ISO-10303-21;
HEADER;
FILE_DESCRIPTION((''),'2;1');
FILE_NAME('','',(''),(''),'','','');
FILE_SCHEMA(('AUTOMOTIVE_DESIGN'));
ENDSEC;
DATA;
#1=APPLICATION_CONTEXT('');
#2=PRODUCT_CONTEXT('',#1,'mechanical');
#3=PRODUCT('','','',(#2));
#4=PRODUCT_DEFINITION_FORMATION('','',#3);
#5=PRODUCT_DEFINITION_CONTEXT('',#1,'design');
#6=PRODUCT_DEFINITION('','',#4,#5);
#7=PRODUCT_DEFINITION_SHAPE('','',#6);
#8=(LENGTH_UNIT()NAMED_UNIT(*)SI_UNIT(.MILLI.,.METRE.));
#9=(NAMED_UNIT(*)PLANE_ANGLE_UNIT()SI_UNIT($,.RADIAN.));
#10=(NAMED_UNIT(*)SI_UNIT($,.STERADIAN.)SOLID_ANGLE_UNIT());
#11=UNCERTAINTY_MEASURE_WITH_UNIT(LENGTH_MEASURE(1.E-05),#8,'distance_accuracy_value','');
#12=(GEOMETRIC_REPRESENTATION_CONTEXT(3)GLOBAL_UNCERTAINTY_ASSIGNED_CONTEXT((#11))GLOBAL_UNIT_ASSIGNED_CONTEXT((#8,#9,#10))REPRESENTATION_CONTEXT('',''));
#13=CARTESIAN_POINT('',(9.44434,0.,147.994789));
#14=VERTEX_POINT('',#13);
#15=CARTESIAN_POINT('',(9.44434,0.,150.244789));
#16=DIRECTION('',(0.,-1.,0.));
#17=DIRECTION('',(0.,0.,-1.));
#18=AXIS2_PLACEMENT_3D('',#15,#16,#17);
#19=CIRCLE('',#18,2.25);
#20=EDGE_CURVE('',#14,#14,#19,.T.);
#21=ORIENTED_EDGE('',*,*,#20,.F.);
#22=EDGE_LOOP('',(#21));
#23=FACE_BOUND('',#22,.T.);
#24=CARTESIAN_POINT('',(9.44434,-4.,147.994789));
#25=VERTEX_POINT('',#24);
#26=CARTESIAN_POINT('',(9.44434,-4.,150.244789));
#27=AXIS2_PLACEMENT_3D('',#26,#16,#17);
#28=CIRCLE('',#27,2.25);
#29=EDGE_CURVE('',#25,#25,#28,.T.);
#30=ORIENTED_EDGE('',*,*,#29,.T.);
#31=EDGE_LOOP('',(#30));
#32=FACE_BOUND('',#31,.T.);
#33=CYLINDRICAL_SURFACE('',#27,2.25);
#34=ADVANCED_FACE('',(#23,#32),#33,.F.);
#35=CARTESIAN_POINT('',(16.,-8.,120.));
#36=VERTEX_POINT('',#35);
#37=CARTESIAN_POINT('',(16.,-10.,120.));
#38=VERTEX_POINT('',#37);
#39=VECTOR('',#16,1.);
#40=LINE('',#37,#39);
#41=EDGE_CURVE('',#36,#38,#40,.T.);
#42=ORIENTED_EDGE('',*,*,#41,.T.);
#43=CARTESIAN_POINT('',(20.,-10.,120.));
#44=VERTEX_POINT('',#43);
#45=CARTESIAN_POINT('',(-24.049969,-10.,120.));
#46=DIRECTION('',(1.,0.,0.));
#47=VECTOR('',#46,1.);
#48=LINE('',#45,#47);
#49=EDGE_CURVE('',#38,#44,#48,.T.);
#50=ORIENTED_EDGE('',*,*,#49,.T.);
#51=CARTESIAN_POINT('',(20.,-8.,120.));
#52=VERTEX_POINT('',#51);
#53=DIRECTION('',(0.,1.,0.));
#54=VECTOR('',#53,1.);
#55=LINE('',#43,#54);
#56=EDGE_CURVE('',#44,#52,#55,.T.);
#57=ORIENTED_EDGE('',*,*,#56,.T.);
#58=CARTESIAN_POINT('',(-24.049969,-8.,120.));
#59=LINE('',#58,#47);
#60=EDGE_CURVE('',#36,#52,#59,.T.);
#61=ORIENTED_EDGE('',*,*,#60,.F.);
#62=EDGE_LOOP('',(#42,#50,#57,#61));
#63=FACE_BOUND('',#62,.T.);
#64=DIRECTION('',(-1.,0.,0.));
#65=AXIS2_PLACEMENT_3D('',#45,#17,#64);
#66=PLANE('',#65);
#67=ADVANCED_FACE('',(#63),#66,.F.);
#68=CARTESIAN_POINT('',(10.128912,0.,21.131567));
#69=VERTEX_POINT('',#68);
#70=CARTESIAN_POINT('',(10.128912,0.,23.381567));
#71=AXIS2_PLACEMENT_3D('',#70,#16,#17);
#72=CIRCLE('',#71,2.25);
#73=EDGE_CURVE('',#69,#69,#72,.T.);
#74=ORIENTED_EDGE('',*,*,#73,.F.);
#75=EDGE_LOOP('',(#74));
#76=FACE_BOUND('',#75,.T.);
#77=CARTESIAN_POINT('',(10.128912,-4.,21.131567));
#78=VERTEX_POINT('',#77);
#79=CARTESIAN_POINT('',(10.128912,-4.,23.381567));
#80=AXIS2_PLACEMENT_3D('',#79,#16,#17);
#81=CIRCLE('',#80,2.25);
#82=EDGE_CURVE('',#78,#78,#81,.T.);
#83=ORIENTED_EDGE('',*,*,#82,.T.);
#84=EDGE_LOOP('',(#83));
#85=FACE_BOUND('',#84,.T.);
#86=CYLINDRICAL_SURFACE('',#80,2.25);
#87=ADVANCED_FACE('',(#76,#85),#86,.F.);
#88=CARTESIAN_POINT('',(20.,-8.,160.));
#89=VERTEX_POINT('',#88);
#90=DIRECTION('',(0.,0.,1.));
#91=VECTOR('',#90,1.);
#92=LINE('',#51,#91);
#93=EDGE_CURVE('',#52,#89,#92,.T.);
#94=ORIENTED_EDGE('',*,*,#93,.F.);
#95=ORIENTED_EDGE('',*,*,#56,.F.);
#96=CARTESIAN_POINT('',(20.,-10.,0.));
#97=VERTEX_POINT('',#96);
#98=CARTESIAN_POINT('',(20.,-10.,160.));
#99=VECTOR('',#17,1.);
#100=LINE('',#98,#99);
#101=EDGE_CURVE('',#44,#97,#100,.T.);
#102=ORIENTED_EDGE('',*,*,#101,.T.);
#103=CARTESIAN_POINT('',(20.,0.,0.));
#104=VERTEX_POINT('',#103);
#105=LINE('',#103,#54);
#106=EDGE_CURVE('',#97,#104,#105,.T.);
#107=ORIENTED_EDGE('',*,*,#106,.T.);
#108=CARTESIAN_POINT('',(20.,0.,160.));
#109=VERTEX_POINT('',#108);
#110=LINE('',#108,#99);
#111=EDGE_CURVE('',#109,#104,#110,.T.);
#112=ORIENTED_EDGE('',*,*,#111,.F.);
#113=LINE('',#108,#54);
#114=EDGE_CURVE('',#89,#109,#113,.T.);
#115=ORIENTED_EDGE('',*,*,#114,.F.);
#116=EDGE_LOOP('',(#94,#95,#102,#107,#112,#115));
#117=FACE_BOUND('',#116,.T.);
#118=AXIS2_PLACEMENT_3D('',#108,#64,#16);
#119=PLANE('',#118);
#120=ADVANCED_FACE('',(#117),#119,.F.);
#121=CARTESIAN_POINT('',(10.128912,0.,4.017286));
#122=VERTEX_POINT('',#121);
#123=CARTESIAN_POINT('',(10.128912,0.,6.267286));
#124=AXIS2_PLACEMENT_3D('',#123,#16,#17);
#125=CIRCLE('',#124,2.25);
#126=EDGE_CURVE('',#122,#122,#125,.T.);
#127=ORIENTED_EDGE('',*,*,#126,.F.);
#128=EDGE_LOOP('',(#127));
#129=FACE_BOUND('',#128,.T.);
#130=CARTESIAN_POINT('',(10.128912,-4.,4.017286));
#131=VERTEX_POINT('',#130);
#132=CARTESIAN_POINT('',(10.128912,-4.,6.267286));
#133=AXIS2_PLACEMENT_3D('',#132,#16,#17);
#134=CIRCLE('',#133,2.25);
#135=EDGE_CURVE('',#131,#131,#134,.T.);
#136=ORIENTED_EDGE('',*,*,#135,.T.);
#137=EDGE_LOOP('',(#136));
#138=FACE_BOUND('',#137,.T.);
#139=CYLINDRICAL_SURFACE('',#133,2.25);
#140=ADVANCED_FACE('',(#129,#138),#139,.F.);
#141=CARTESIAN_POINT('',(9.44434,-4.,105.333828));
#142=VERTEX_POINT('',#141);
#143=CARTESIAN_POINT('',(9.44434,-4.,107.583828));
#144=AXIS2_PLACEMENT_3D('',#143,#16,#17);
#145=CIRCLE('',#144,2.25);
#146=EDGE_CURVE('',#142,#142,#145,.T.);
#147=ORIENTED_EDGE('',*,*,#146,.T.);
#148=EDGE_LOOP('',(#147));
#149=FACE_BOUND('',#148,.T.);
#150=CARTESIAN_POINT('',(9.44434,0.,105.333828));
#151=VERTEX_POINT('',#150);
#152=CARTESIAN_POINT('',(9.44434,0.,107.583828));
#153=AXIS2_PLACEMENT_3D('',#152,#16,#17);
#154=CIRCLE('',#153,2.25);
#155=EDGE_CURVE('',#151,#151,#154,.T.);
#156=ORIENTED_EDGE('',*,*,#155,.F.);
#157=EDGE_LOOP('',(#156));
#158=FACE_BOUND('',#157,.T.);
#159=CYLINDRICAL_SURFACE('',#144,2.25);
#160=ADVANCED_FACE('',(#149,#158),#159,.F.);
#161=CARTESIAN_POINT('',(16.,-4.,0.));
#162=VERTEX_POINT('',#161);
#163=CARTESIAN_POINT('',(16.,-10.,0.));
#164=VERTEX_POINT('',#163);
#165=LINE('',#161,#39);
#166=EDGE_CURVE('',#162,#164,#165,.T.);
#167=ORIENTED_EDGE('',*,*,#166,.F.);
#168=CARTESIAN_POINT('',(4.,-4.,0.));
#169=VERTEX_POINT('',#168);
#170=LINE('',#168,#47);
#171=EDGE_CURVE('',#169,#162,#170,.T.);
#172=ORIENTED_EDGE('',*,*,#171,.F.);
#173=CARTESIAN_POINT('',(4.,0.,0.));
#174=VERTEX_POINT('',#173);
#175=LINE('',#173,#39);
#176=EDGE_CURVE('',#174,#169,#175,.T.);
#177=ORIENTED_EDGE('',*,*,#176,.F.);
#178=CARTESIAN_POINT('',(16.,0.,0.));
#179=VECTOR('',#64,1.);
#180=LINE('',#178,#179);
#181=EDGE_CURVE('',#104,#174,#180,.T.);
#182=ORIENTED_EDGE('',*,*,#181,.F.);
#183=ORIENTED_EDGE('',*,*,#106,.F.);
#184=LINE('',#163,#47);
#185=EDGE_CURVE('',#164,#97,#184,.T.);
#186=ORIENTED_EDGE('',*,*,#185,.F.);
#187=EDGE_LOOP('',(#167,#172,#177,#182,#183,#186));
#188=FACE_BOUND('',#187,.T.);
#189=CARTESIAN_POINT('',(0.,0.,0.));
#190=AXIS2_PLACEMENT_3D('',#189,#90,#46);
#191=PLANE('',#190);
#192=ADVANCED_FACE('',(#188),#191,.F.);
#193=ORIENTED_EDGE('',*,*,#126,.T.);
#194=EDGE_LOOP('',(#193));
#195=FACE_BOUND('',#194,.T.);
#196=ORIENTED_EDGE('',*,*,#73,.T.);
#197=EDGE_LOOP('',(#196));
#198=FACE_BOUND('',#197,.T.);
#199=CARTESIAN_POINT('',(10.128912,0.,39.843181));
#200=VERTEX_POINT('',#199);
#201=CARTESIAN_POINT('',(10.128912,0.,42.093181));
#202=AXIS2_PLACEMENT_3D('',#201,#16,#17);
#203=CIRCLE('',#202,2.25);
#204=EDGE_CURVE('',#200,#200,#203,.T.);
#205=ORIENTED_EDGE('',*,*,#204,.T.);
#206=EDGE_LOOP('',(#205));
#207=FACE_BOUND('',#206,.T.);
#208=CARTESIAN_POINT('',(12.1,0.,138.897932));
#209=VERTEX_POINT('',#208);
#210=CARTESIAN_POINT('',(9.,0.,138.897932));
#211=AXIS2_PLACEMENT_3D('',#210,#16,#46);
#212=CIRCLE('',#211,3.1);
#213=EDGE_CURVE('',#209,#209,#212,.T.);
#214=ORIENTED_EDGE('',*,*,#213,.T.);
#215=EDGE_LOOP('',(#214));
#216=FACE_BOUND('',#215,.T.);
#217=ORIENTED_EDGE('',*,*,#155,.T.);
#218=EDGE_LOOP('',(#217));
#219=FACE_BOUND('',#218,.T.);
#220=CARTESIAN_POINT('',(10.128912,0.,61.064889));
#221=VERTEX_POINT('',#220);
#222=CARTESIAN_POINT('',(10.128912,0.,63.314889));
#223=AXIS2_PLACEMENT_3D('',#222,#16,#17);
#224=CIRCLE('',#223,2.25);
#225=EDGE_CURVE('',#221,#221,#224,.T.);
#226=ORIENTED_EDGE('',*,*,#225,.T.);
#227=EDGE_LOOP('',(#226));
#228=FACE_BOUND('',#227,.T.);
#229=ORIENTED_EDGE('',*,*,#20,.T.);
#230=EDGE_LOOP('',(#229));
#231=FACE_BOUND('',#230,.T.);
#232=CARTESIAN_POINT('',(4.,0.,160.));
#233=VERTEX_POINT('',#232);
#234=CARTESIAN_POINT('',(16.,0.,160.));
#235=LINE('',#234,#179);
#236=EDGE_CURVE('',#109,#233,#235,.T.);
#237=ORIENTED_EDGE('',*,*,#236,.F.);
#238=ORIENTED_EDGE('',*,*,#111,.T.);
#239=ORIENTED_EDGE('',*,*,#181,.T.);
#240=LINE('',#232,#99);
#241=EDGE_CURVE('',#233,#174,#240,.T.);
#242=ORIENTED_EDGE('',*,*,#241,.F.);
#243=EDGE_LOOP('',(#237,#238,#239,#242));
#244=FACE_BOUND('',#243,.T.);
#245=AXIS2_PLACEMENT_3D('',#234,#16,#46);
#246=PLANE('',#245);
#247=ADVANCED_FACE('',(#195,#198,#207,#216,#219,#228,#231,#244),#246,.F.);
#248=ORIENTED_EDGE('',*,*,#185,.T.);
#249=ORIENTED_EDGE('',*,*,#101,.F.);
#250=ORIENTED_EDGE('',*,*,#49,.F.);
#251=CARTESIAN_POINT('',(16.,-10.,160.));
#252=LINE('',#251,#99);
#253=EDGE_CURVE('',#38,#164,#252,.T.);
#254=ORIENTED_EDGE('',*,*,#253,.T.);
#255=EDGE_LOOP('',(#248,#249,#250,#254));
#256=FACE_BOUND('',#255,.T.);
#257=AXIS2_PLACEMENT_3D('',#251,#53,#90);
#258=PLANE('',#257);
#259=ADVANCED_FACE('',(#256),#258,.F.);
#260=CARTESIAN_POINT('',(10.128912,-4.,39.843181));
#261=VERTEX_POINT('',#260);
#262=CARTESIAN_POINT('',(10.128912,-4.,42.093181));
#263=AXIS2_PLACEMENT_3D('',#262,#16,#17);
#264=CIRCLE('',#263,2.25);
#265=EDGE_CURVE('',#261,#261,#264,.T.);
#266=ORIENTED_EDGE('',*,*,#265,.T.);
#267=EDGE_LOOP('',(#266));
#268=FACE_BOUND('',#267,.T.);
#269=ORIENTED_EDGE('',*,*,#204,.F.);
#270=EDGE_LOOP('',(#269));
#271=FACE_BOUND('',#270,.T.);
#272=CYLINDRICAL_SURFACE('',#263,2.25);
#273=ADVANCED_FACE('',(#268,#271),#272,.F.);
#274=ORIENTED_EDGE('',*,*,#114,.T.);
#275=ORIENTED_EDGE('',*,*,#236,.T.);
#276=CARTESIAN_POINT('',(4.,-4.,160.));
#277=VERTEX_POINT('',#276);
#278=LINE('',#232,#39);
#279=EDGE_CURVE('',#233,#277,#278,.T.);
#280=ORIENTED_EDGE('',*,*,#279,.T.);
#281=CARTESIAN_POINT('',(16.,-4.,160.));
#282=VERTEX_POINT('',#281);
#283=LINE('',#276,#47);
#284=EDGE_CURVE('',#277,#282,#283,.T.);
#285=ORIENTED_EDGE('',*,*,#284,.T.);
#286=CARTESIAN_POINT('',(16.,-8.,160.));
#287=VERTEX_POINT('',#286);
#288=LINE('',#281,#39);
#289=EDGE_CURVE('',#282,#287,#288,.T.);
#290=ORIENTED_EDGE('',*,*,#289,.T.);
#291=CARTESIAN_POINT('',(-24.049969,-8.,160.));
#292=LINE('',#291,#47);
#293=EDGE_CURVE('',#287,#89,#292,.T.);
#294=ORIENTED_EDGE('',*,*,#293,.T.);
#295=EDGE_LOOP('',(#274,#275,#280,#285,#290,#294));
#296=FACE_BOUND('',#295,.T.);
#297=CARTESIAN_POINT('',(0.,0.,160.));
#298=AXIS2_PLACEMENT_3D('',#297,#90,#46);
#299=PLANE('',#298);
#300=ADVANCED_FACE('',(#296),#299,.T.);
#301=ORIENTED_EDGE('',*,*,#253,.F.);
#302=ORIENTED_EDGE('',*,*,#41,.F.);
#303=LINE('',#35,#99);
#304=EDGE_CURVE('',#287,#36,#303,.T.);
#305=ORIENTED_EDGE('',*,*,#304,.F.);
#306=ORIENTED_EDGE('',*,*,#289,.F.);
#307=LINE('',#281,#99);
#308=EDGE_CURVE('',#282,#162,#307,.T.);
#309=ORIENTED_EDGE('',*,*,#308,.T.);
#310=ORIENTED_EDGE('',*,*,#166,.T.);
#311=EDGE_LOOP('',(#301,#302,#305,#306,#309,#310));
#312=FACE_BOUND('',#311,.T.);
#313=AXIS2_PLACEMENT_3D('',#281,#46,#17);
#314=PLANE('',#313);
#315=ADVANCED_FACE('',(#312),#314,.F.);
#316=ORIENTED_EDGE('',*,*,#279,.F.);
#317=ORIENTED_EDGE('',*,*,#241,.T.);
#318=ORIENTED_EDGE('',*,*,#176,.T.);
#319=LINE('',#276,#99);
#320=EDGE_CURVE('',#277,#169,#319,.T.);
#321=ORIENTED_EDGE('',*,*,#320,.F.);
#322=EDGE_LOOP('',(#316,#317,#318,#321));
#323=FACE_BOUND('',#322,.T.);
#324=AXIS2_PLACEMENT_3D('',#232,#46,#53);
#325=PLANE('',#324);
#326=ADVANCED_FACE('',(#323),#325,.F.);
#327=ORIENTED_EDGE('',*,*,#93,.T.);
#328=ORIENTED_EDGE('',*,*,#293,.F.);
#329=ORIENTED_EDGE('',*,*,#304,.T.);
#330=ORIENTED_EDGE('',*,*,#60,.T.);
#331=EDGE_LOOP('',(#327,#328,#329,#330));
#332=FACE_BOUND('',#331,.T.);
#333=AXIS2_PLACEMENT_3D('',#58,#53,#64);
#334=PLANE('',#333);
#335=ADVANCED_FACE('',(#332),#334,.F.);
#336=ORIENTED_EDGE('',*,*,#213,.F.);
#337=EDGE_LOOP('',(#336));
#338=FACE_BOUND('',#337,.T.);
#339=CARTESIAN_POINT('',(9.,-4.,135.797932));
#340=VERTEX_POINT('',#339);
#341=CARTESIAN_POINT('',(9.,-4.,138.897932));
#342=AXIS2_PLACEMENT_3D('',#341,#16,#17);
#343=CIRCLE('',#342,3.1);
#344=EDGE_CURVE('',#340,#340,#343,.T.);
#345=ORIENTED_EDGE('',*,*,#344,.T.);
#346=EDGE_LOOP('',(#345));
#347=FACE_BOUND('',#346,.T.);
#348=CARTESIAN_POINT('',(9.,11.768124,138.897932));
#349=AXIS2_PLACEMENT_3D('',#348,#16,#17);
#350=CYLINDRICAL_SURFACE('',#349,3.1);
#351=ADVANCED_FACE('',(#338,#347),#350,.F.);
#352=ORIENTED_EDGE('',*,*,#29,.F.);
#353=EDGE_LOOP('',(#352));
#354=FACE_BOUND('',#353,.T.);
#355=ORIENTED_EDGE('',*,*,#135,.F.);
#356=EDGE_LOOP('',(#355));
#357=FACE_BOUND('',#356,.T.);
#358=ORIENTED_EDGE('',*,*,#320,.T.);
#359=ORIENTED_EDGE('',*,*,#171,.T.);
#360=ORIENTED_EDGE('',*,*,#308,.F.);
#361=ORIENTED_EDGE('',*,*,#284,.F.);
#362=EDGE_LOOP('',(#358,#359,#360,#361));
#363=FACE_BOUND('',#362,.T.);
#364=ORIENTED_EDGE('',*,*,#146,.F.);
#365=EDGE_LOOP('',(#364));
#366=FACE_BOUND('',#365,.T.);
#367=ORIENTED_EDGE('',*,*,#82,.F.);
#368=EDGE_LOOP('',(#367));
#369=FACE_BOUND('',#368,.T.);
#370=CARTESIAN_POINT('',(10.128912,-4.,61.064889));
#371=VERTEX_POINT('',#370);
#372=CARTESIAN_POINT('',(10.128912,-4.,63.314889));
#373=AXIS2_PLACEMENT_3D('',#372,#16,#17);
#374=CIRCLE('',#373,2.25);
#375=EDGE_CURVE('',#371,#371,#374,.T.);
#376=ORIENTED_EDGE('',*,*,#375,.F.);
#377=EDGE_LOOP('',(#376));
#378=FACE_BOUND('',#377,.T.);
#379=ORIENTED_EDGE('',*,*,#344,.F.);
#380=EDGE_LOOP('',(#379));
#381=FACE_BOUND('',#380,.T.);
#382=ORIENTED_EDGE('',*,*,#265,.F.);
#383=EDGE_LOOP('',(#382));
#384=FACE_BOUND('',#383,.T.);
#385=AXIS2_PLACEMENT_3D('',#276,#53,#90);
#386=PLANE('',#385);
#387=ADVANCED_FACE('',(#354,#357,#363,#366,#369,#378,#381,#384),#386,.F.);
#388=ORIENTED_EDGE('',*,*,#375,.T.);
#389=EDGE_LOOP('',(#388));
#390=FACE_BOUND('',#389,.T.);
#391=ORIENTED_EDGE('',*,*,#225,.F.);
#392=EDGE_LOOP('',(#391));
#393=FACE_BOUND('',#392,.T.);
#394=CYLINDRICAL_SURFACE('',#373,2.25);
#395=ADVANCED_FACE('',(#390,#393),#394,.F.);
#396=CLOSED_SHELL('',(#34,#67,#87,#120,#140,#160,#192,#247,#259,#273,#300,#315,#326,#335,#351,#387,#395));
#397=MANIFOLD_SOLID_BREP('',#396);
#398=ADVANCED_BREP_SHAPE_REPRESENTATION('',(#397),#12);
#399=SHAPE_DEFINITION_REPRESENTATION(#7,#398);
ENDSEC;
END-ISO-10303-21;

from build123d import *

# Parameters (mm, degrees)
BOSS_EXTRUDE1_DEPTH  = 160
SKETCH2_W            = 40
SKETCH2_H            = 2
CUT_EXTRUDE1_DEPTH   = 4
M4_CLEARANCE_HOLE1_D = 4.5
CUT_EXTRUDE2_REACH   = 163.357
SKETCH5_R            = 3.1


with BuildPart() as part:
    # Sketch1 → Boss-Extrude1 (new body)
    with BuildSketch(Plane.XY):
        Polygon((4, -4), (16, -4), (16, -10), (20, -10), (20, 0), (16, 0), (4, 0), align=None)
    extrude(amount=BOSS_EXTRUDE1_DEPTH)

    # Sketch2 → Cut-Extrude1 (cut)
    with BuildSketch(Plane(origin=(20, 0, 0), x_dir=(0, 0, -1), z_dir=(1, 0, 0))):
        with Locations((-140, -9)):
            Rectangle(SKETCH2_W, SKETCH2_H)
    extrude(amount=-CUT_EXTRUDE1_DEPTH, mode=Mode.SUBTRACT)

    # M4 Clearance Hole1 (through all)
    with Locations(Plane(origin=(0, -4, 0), x_dir=(-1, 0, 0), z_dir=(0, -1, 0))):
        with Locations((-10.128911503, -6.267286375), (-10.128911503, -23.38156703), (-10.128911503, -42.093180546), (-10.128911503, -63.314888558), (-9.444340277, -107.583827852), (-9.444340277, -150.244789298)):
            Hole(M4_CLEARANCE_HOLE1_D / 2)

    # Sketch5 → Cut-Extrude2 (cut, up to next)
    with BuildSketch(Plane.XZ.offset(4), mode=Mode.PRIVATE) as cut_extrude2_sk1:
        with Locations(Location((9, 138.897931951, 0), (0, 0, 270))):
            Circle(SKETCH5_R)
    cut_extrude2_tool1 = extrude(cut_extrude2_sk1.sketch, amount=-CUT_EXTRUDE2_REACH, mode=Mode.PRIVATE) & part.part
    add(cut_extrude2_tool1.solids().sort_by_distance((9, -4, 138.897932))[0], mode=Mode.SUBTRACT)


solid = part.part
